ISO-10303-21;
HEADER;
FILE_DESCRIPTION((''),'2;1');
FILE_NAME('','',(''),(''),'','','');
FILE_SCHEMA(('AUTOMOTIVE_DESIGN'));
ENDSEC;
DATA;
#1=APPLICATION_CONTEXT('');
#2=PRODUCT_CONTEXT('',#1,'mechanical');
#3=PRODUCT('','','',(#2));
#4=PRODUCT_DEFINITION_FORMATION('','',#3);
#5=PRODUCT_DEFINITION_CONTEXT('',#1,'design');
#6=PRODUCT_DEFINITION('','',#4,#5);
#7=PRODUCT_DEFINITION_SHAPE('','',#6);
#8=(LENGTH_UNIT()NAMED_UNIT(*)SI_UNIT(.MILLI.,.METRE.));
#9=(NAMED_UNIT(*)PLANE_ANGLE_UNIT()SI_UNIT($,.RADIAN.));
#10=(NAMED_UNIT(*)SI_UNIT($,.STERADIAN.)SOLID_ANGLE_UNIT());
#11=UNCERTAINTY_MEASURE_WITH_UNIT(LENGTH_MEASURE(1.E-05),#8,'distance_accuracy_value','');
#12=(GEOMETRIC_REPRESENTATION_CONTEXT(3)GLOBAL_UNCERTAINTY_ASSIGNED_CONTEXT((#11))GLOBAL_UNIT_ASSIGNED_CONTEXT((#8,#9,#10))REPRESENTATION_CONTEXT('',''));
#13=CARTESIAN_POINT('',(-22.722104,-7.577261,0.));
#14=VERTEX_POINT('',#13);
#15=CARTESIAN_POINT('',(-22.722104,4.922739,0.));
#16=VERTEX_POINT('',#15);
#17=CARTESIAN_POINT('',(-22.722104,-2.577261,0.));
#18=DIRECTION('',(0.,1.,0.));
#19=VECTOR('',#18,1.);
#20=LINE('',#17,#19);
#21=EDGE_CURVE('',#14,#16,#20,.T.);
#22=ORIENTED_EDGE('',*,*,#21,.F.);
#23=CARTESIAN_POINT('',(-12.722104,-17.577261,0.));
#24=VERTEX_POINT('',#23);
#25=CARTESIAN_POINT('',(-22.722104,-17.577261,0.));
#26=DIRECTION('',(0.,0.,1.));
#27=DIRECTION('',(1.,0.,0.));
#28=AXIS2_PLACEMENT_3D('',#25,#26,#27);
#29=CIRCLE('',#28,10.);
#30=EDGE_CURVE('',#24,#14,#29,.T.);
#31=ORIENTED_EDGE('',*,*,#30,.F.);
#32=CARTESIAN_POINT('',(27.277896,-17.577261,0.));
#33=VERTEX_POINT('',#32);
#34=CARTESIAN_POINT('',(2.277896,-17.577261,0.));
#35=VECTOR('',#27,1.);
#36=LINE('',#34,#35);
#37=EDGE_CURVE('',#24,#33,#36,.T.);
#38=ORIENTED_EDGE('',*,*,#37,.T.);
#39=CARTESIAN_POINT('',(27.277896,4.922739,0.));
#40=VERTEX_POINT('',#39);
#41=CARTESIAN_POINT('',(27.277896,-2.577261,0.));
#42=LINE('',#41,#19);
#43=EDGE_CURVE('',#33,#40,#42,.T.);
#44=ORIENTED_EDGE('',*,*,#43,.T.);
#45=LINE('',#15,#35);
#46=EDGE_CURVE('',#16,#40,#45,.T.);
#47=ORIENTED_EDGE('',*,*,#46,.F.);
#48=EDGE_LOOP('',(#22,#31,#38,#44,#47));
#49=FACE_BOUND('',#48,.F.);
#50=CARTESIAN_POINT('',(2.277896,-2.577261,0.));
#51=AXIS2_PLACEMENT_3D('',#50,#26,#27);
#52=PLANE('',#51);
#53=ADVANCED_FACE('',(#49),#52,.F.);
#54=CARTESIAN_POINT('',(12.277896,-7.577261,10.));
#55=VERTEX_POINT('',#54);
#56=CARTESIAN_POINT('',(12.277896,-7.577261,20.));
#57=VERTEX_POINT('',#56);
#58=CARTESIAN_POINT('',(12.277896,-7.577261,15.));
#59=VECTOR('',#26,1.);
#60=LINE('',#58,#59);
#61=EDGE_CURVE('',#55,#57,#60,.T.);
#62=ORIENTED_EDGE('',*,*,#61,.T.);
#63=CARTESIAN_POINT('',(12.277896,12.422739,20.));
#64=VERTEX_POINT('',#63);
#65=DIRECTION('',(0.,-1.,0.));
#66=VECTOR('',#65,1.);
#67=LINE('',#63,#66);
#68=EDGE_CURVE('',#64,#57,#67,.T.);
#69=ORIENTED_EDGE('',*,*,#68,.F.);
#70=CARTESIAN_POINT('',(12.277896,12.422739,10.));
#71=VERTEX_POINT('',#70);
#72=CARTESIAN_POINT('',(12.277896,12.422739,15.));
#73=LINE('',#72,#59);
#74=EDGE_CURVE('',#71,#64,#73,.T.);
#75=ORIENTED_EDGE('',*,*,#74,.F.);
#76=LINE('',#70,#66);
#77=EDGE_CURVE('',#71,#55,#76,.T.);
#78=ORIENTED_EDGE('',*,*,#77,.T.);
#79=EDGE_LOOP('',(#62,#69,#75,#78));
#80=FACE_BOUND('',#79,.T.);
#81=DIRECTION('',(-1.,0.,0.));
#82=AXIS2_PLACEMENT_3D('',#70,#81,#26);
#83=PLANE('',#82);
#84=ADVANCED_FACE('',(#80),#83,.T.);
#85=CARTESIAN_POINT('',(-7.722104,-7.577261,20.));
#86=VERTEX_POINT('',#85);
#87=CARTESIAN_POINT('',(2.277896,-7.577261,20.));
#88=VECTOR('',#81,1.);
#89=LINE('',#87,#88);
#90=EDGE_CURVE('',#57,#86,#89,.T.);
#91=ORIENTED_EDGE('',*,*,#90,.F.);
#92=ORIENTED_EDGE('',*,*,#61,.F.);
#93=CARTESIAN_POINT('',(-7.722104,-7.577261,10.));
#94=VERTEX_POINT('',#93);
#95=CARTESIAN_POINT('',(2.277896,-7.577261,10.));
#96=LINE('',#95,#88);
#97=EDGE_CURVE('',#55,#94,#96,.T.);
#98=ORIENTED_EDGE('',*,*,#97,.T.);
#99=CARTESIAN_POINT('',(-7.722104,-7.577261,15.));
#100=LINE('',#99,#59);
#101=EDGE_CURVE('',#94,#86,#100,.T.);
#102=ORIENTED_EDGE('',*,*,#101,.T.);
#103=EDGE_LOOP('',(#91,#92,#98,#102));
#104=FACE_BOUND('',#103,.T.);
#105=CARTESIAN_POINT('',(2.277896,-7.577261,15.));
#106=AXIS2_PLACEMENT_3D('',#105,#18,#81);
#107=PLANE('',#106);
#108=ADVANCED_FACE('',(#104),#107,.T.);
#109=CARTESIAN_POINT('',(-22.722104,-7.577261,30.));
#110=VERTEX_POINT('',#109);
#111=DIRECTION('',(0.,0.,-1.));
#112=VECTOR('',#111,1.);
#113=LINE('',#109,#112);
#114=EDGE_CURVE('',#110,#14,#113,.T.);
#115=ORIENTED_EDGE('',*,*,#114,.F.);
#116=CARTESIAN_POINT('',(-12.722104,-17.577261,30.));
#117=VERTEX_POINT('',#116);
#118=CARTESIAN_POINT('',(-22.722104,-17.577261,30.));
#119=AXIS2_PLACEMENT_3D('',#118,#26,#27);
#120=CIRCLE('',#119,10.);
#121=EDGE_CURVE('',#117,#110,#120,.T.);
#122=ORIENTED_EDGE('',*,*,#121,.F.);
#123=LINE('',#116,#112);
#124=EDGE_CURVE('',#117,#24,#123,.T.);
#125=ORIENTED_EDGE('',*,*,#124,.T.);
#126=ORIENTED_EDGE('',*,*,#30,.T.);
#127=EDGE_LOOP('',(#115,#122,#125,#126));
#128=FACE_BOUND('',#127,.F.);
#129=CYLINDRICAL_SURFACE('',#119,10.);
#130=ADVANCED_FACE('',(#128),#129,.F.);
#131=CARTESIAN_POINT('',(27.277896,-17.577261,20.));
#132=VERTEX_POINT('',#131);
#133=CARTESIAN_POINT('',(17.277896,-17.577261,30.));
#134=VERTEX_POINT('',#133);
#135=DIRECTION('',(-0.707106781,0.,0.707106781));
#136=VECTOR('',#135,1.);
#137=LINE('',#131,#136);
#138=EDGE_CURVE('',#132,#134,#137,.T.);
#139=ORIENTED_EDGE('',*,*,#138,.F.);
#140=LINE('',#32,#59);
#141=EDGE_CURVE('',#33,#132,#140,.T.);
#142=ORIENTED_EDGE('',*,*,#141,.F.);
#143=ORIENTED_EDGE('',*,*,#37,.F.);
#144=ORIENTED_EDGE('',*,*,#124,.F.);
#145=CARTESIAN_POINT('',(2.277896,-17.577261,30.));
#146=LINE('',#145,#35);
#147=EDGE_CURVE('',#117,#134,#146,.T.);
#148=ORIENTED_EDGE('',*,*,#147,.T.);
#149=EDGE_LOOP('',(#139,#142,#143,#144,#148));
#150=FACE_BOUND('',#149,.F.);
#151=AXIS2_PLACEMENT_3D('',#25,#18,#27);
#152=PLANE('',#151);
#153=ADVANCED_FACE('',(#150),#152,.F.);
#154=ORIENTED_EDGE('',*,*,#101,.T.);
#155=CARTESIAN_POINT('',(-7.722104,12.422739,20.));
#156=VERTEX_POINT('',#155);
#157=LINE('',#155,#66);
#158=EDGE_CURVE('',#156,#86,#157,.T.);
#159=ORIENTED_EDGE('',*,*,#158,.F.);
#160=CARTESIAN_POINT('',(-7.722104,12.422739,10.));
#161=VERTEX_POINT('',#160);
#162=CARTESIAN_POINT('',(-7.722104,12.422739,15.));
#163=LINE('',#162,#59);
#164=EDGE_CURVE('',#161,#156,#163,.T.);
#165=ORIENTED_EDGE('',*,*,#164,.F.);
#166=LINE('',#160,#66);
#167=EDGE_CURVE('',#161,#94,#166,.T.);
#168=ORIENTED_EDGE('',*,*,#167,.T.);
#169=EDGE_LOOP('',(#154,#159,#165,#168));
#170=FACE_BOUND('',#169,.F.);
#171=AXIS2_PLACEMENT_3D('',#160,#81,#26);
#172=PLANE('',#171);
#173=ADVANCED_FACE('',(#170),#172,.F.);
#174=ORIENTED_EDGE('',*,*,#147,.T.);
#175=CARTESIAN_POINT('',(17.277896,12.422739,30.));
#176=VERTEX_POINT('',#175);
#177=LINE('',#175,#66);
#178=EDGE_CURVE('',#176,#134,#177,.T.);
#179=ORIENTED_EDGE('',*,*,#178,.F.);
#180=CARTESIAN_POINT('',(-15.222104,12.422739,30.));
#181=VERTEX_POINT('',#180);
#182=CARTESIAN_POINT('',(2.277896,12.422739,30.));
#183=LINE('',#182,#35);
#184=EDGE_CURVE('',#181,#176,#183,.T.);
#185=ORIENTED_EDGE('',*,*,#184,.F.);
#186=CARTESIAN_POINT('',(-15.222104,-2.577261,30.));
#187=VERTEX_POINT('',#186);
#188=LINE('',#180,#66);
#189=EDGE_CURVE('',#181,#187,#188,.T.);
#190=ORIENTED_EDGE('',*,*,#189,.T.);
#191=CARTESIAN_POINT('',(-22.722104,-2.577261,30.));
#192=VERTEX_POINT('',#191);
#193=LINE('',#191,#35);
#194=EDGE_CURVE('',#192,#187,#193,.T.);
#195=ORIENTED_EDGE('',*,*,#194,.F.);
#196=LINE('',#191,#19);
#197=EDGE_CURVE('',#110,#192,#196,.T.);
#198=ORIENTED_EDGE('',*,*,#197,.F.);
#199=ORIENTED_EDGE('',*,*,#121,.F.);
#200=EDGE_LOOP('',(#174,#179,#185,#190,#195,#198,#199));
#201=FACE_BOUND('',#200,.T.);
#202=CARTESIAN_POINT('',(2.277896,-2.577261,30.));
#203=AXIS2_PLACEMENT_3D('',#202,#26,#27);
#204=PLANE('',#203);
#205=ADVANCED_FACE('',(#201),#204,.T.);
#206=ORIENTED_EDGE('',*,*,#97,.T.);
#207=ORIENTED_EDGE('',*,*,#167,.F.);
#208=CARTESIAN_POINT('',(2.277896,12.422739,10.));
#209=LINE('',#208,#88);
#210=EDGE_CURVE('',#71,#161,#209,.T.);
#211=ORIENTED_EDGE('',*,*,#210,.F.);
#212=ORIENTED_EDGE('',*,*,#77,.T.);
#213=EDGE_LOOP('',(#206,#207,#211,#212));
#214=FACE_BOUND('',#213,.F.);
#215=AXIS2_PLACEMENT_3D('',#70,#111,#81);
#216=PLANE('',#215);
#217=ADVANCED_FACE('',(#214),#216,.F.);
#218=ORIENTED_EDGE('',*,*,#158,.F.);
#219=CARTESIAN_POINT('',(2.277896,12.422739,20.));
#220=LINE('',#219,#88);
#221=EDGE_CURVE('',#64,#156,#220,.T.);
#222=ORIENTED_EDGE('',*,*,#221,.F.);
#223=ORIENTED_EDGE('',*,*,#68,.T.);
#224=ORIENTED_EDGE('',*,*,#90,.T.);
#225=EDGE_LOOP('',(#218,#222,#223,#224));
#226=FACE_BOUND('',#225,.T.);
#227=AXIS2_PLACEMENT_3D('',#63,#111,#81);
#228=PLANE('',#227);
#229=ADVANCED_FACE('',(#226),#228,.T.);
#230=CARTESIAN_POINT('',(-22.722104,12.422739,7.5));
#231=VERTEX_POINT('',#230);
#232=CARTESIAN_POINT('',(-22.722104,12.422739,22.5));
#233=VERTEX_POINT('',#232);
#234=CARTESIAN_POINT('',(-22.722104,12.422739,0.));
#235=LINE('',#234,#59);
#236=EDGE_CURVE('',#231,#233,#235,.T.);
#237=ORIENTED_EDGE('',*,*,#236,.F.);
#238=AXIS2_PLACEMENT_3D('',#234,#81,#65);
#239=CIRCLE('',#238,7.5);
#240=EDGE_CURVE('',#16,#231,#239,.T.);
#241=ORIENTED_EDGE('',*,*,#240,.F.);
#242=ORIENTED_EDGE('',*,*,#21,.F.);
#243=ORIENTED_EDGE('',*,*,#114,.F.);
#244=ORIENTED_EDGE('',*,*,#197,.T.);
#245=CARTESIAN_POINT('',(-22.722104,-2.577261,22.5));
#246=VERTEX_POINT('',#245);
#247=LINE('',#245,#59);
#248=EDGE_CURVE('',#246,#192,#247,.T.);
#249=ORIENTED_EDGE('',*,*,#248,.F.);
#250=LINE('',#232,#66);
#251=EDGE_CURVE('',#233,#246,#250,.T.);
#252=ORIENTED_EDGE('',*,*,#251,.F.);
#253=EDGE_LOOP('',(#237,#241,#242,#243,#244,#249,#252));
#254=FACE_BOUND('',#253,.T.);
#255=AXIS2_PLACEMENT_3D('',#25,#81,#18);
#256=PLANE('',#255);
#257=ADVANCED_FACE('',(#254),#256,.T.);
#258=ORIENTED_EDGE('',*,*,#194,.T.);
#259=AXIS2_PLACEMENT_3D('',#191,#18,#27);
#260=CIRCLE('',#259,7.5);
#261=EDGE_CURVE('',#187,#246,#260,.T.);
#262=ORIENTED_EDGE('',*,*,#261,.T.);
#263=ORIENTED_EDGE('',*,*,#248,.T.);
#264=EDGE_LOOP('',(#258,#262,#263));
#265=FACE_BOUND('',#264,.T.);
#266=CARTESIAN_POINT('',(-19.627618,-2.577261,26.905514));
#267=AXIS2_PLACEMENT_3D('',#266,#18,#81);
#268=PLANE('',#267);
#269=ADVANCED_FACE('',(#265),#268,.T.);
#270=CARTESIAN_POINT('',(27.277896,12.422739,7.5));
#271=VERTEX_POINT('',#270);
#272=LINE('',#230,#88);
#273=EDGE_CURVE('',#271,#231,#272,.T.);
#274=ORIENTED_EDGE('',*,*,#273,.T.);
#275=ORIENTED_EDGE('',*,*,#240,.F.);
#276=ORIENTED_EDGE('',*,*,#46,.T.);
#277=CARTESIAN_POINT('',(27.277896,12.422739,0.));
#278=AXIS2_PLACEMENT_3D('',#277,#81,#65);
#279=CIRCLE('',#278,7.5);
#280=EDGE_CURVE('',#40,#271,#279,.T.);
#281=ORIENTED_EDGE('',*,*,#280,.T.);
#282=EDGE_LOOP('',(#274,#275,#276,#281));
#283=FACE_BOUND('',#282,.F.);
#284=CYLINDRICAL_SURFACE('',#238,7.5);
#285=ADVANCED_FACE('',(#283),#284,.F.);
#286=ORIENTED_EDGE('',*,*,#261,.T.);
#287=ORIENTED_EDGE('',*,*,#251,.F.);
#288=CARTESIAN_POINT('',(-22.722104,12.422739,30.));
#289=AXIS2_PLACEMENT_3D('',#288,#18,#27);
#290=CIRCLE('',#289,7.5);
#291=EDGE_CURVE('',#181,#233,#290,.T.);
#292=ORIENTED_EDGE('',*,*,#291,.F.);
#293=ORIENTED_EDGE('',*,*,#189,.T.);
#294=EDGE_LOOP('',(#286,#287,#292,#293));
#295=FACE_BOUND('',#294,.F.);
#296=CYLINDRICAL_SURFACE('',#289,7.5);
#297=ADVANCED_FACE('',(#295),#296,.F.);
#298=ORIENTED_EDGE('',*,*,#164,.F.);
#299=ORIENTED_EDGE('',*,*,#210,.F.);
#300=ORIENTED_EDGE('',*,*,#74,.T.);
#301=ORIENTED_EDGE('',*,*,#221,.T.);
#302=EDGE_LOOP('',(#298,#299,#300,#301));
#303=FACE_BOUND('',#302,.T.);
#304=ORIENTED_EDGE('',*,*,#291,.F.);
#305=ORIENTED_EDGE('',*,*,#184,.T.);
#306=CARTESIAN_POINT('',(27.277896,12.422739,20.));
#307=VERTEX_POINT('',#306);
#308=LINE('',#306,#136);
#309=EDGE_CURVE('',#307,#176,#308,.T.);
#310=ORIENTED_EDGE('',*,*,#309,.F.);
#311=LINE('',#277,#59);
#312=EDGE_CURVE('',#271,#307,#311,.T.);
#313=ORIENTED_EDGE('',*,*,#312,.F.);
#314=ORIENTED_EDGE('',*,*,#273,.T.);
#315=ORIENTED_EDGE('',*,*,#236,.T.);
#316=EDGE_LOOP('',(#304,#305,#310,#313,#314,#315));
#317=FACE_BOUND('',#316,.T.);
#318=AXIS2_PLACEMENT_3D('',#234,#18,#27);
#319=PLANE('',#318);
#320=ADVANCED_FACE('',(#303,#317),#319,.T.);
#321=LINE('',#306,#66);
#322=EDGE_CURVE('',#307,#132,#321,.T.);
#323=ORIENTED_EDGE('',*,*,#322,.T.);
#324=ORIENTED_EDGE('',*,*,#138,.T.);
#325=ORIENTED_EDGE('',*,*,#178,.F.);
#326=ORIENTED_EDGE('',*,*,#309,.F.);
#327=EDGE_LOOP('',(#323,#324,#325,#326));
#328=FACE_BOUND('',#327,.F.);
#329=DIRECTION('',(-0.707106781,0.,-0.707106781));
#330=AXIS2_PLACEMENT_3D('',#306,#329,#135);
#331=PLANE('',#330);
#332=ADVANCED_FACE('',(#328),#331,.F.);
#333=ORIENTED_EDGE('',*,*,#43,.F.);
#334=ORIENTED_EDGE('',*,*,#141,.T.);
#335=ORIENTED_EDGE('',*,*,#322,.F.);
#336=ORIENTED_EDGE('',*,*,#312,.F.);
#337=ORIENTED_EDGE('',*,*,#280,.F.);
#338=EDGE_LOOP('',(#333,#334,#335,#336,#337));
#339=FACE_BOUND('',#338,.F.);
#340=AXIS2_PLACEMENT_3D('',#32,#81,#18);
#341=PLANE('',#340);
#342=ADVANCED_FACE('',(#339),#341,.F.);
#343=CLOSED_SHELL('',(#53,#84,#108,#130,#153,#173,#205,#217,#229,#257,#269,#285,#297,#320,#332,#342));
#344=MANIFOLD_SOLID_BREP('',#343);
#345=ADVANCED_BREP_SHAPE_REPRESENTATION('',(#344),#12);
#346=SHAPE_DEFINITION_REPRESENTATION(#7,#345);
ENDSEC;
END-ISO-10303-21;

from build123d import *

# Parameters (mm, degrees)
F1_W      = 50
F1_H      = 30
F2_DEPTH  = 30
F4_DEPTH  = 50
F6_DEPTH  = 30
F8_DEPTH  = 15
F10_DEPTH = 30
F11_W     = 20
F11_H     = 10
F12_DEPTH = 20


with BuildPart() as f2:
    # F1 (on face) → F2 (new body)
    with BuildSketch(Plane.XY):
        with Locations((2.2778958082, -2.5772606838)):
            Rectangle(F1_W, F1_H)
    extrude(amount=F2_DEPTH)

    # F3 (on face) → F4 (cut)
    with BuildSketch(Plane(origin=(-22.7221041918, 0, 0), x_dir=(0, -1, 0), z_dir=(-1, 0, 0))):
        with BuildLine():
            ThreePointArc((-12.4227393162, 7.5), (-17.7260401751, -5.3033008589), (-4.9227393162, 0))
            Line((-4.9227393162, 0), (-12.4227393162, 0))
            Line((-12.4227393162, 0), (-12.4227393162, 7.5))
        make_face()
        with BuildLine():
            Line((-12.4227393162, 0), (-4.9227393162, 0))
            ThreePointArc((-4.9227393162, 0), (-7.1194384573, 5.3033008589), (-12.4227393162, 7.5))
            Line((-12.4227393162, 7.5), (-12.4227393162, 0))
        make_face()
    extrude(amount=-F4_DEPTH, mode=Mode.SUBTRACT)

    # F5 (on face) → F6 (cut)
    with BuildSketch(Plane(origin=(0, 12.4227393162, 0), x_dir=(-1, 0, 0), z_dir=(0, 1, 0))):
        Polygon((-17.2778958082, 30), (-27.2778958082, 30), (-27.2778958082, 20), align=None)
    extrude(amount=-F6_DEPTH, mode=Mode.SUBTRACT)

    # F7 (on face) → F8 (cut)
    with BuildSketch(Plane(origin=(0, 12.4227393162, 0), x_dir=(-1, 0, 0), z_dir=(0, 1, 0))):
        with BuildLine():
            Line((22.7221041918, 30), (15.2221041918, 30))
            ThreePointArc((15.2221041918, 30), (17.4188033329, 24.6966991411), (22.7221041918, 22.5))
            Line((22.7221041918, 22.5), (22.7221041918, 30))
        make_face()
    extrude(amount=-F8_DEPTH, mode=Mode.SUBTRACT)

    # F9 (on face) → F10 (cut)
    with BuildSketch(Plane.XY.offset(30)):
        with BuildLine():
            Line((-22.7221041918, -17.5772606838), (-12.7221041918, -17.5772606838))
            ThreePointArc((-12.7221041918, -17.5772606838), (-15.6510363799, -10.5061928719), (-22.7221041918, -7.5772606838))
            Line((-22.7221041918, -7.5772606838), (-22.7221041918, -17.5772606838))
        make_face()
    extrude(amount=-F10_DEPTH, mode=Mode.SUBTRACT)

    # F11 (on face) → F12 (cut)
    with BuildSketch(Plane(origin=(0, 12.4227393162, 0), x_dir=(-1, 0, 0), z_dir=(0, 1, 0))):
        with Locations((-2.2778958082, 15)):
            Rectangle(F11_W, F11_H)
    extrude(amount=-F12_DEPTH, mode=Mode.SUBTRACT)


solid = f2.part
